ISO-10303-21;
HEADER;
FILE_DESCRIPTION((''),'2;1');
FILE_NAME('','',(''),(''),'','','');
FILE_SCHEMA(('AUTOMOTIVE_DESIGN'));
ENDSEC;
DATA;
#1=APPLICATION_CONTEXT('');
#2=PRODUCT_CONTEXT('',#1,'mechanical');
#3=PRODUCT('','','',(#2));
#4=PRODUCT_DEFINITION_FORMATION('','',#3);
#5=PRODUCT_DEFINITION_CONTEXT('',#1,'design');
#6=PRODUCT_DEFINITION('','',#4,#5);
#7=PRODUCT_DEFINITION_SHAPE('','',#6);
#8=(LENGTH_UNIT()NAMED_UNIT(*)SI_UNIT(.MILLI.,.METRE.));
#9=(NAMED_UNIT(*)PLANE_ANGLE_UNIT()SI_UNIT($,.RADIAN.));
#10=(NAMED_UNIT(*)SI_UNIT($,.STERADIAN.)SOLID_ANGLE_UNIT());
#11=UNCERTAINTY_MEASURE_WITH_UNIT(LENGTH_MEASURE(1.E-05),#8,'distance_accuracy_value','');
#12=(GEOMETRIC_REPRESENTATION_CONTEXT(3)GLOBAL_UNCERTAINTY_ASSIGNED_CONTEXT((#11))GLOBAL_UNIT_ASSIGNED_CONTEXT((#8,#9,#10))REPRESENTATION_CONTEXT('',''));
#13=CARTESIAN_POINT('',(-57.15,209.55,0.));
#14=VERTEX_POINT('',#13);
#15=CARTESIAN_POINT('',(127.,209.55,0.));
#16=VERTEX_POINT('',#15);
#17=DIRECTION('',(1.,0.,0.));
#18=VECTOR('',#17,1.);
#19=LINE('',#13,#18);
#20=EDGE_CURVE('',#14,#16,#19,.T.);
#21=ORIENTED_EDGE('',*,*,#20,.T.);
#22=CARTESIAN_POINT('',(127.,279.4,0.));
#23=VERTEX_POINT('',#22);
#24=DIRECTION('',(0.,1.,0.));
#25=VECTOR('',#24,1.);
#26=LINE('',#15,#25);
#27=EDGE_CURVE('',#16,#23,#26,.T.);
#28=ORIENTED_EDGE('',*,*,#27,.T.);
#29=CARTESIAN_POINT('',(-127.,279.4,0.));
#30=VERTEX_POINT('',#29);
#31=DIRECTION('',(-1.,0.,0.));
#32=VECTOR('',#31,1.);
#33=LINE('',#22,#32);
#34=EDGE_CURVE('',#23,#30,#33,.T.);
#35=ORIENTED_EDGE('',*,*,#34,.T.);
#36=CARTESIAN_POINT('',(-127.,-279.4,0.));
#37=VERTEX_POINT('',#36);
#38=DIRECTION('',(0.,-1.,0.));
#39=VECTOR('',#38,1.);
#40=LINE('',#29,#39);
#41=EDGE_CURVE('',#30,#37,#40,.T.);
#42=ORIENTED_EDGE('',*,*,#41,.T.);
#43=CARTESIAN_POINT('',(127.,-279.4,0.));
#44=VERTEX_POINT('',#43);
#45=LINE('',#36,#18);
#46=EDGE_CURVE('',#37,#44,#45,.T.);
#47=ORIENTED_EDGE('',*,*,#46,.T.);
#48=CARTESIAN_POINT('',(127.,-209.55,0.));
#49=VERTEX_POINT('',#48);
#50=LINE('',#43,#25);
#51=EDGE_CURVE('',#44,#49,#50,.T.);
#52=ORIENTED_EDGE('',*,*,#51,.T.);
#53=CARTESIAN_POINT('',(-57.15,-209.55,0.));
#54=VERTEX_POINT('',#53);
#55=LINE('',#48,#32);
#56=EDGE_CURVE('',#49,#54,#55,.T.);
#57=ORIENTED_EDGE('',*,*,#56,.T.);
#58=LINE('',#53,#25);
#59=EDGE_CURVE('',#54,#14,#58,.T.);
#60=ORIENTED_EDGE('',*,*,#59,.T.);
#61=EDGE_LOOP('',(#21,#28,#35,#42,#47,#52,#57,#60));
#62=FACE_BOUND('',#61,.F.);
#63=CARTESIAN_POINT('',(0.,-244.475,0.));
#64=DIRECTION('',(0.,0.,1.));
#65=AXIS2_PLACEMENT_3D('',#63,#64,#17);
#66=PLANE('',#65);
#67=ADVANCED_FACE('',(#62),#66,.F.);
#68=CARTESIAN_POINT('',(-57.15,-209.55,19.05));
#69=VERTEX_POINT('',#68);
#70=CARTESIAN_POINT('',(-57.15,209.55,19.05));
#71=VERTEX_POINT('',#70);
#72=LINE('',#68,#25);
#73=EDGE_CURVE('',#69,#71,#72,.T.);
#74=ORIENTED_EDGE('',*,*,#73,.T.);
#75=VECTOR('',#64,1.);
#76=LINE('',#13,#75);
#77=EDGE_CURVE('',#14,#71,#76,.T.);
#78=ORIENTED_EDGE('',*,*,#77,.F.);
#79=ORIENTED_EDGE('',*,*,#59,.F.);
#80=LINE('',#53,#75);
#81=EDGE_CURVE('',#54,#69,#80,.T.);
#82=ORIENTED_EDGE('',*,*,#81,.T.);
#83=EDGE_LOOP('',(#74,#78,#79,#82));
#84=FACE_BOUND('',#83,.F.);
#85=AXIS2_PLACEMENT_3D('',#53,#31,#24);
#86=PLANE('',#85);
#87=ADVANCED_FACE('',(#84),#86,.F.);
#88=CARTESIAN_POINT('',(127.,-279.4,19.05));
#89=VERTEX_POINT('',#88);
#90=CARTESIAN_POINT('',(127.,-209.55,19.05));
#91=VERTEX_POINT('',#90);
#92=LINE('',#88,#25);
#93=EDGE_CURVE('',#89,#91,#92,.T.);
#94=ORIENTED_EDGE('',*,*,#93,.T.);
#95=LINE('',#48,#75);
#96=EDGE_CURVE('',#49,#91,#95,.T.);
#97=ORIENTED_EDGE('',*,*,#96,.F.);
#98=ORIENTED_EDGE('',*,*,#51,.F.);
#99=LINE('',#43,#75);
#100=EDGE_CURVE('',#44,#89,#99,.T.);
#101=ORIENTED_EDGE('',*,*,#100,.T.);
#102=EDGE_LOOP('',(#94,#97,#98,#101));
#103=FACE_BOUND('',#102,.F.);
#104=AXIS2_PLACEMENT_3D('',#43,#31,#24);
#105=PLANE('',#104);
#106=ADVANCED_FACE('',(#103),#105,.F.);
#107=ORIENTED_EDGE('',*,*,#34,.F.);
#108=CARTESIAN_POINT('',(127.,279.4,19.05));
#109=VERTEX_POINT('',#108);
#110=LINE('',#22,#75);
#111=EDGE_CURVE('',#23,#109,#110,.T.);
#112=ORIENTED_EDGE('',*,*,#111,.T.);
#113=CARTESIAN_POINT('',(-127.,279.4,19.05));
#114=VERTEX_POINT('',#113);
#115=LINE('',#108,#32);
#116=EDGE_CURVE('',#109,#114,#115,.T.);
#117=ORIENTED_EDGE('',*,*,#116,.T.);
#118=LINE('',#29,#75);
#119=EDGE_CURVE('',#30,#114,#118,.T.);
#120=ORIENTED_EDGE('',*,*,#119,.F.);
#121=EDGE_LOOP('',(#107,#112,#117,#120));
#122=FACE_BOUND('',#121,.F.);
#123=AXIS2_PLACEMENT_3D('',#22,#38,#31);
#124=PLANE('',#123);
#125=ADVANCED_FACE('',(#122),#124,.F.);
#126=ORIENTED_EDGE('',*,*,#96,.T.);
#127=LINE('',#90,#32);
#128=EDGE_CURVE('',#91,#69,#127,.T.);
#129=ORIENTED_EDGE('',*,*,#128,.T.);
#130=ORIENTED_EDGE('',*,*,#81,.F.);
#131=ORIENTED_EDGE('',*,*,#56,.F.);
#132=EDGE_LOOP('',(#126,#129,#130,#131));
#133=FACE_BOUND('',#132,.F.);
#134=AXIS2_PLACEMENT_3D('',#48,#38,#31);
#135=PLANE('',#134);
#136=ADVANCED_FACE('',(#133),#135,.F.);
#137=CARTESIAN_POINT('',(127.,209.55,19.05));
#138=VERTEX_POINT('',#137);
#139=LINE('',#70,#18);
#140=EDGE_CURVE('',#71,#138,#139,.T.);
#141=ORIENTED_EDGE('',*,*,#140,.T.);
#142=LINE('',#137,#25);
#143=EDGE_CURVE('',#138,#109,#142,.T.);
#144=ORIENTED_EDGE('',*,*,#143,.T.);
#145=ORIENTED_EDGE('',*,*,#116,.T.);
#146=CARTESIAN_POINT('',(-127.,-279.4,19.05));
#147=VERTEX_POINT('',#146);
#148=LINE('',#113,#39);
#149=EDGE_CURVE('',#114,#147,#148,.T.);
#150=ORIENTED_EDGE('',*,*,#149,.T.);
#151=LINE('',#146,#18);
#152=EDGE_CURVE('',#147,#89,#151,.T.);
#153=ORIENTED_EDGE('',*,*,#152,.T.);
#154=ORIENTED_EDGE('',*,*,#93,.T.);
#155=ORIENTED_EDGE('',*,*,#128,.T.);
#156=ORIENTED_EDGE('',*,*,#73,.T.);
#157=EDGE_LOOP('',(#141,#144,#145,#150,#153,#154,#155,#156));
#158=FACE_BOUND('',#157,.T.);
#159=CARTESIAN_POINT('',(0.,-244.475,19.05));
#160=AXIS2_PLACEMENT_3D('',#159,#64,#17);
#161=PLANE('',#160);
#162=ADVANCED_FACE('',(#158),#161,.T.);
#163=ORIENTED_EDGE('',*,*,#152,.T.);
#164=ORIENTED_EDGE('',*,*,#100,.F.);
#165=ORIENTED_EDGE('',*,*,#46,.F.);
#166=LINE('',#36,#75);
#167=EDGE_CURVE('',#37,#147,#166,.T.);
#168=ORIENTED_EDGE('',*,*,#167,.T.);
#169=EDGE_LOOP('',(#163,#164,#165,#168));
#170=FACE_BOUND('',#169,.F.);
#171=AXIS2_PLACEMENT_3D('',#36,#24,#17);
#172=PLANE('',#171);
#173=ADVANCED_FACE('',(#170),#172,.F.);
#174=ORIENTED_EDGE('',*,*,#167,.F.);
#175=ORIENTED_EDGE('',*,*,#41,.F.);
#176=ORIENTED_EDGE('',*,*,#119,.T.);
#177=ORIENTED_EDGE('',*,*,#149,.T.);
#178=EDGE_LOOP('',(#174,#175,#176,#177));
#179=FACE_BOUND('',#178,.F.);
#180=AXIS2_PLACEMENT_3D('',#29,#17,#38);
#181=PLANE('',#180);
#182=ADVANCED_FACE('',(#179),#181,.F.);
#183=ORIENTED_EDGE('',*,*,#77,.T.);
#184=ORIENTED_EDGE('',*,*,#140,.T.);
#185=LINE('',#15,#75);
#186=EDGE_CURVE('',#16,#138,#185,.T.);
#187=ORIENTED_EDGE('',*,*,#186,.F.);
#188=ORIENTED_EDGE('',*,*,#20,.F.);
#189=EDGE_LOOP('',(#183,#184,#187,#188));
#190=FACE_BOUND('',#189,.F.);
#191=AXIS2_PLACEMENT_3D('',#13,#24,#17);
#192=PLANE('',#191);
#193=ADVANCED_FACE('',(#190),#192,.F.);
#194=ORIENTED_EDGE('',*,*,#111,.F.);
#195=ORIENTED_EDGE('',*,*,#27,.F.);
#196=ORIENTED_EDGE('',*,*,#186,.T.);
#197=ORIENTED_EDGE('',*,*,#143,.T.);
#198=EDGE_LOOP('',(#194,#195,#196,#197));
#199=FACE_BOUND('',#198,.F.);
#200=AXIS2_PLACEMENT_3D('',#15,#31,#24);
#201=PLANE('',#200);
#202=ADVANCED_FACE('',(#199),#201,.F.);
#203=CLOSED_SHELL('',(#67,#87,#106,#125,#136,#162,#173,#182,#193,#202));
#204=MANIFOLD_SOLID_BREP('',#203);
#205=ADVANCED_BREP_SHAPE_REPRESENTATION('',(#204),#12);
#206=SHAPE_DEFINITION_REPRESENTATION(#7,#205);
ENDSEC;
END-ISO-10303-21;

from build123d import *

# Parameters (mm, degrees)
F1_DEPTH = 19.05


with BuildPart() as f1:
    # F0 (on Top) → F1 (new body)
    with BuildSketch(Plane.XY):
        Polygon((-57.15, -209.55), (-127, -209.55), (-127, -279.4), (127, -279.4), (127, -209.55), align=None)
        Polygon((127, 279.4), (-127, 279.4), (-127, -209.55), (-57.15, -209.55), (-57.15, 209.55), (127, 209.55), align=None)
    extrude(amount=F1_DEPTH)


solid = f1.part
